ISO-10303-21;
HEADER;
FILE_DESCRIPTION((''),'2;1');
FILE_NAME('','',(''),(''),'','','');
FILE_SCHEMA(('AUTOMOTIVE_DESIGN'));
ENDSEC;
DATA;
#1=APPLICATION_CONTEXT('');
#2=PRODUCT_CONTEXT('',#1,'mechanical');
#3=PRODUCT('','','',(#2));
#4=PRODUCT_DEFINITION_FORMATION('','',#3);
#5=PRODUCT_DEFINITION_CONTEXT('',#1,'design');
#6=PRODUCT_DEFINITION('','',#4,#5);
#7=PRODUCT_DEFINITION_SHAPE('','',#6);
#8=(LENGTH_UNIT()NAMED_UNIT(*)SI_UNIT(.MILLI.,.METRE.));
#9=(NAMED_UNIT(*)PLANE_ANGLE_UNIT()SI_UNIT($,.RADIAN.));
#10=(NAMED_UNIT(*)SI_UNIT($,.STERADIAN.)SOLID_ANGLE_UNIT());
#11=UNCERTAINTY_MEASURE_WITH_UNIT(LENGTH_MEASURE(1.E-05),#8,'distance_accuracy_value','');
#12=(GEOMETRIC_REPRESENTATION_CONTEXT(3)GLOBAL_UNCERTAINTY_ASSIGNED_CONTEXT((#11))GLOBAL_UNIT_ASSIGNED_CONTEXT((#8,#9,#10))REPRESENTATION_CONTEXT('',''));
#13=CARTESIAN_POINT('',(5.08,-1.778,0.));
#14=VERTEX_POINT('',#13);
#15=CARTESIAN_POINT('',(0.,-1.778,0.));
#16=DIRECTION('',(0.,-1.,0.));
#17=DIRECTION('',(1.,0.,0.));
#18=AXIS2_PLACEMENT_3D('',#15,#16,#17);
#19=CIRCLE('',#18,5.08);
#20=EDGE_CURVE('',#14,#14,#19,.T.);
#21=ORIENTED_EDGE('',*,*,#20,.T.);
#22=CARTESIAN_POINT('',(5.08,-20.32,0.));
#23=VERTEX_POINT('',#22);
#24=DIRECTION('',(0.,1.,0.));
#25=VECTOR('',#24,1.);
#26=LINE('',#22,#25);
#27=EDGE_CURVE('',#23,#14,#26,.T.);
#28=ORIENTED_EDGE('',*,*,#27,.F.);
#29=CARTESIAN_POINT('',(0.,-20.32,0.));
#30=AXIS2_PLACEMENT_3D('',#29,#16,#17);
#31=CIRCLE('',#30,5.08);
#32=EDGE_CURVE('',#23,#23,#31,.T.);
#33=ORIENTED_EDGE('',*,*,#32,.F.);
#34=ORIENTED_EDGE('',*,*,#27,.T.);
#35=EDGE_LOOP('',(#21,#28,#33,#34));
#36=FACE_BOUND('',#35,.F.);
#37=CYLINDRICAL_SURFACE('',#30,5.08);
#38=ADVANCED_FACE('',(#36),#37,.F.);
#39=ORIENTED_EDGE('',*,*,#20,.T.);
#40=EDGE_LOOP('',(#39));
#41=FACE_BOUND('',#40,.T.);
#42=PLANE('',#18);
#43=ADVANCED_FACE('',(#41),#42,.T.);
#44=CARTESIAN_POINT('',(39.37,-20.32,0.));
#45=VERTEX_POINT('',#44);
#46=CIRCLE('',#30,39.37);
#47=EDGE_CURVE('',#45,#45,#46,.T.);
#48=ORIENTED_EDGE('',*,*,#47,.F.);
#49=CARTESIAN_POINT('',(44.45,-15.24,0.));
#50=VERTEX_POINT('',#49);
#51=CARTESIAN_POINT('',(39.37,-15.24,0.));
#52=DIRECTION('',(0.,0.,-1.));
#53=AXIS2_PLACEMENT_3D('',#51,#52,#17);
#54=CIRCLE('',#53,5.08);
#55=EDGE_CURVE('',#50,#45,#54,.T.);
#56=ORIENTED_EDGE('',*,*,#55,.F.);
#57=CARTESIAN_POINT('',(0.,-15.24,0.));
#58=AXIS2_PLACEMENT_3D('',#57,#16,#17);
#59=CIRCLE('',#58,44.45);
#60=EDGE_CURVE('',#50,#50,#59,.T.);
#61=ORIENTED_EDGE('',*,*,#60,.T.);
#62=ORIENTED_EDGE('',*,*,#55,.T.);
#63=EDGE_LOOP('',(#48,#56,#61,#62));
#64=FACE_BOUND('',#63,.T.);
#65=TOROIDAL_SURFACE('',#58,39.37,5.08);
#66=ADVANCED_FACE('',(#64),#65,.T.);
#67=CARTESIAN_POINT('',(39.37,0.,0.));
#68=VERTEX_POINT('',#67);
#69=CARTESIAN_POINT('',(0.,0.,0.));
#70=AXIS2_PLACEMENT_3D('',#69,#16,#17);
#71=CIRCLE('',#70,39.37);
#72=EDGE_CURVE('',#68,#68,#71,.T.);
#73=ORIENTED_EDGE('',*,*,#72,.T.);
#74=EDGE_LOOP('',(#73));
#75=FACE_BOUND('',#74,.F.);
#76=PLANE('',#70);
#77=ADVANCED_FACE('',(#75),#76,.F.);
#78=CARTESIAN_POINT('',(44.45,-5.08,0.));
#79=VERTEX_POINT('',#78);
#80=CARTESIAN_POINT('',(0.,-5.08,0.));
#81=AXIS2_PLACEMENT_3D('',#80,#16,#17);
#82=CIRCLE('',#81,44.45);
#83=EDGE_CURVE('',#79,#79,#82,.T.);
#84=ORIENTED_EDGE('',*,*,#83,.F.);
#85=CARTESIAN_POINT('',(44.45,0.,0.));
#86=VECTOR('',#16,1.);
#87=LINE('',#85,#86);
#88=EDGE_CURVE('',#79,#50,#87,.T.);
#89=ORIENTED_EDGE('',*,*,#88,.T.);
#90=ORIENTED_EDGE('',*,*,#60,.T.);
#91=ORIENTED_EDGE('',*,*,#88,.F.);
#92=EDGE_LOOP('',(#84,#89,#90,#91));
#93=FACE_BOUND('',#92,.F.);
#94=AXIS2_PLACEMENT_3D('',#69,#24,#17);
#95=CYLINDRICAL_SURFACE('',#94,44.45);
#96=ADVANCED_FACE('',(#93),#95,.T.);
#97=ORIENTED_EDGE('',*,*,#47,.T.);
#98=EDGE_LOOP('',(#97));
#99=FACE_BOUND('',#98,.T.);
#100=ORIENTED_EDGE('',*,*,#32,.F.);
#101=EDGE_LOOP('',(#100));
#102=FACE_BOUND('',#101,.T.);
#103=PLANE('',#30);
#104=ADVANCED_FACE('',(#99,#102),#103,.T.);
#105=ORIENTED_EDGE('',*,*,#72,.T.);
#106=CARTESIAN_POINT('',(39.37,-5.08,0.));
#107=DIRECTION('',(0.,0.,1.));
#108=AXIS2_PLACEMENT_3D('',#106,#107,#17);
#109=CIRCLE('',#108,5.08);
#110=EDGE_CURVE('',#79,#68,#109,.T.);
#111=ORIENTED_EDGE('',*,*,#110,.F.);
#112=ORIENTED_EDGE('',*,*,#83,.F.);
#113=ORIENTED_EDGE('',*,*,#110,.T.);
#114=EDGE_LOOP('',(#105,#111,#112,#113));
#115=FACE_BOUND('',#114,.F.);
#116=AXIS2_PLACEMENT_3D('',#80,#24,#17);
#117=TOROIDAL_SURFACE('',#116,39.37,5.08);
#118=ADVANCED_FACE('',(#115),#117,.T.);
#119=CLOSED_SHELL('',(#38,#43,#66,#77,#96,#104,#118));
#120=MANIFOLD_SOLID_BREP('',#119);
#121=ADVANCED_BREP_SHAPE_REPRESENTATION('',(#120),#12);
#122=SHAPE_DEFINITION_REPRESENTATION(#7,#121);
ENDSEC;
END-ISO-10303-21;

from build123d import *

# Parameters (mm, degrees)
F0_R     = 44.45
F1_DEPTH = 20.32
F2_R     = 5.08
F3_DEPTH = 18.542
F4_R     = 5.08


with BuildPart() as f1:
    # F0 (on Front) → F1 (new body)
    with BuildSketch(Plane.XZ):
        Circle(F0_R)
    extrude(amount=F1_DEPTH)

    # F2 (on face) → F3 (cut)
    with BuildSketch(Plane.XZ.offset(20.32)):
        Circle(F2_R)
    extrude(amount=-F3_DEPTH, mode=Mode.SUBTRACT)

    # F4
    f4_edges = [f1.edges().sort_by_distance(p)[0] for p in [
        (-44.45, -20.32, 0),
        (-44.45, 0, 0),
    ]]
    fillet(f4_edges, radius=F4_R)


solid = f1.part
